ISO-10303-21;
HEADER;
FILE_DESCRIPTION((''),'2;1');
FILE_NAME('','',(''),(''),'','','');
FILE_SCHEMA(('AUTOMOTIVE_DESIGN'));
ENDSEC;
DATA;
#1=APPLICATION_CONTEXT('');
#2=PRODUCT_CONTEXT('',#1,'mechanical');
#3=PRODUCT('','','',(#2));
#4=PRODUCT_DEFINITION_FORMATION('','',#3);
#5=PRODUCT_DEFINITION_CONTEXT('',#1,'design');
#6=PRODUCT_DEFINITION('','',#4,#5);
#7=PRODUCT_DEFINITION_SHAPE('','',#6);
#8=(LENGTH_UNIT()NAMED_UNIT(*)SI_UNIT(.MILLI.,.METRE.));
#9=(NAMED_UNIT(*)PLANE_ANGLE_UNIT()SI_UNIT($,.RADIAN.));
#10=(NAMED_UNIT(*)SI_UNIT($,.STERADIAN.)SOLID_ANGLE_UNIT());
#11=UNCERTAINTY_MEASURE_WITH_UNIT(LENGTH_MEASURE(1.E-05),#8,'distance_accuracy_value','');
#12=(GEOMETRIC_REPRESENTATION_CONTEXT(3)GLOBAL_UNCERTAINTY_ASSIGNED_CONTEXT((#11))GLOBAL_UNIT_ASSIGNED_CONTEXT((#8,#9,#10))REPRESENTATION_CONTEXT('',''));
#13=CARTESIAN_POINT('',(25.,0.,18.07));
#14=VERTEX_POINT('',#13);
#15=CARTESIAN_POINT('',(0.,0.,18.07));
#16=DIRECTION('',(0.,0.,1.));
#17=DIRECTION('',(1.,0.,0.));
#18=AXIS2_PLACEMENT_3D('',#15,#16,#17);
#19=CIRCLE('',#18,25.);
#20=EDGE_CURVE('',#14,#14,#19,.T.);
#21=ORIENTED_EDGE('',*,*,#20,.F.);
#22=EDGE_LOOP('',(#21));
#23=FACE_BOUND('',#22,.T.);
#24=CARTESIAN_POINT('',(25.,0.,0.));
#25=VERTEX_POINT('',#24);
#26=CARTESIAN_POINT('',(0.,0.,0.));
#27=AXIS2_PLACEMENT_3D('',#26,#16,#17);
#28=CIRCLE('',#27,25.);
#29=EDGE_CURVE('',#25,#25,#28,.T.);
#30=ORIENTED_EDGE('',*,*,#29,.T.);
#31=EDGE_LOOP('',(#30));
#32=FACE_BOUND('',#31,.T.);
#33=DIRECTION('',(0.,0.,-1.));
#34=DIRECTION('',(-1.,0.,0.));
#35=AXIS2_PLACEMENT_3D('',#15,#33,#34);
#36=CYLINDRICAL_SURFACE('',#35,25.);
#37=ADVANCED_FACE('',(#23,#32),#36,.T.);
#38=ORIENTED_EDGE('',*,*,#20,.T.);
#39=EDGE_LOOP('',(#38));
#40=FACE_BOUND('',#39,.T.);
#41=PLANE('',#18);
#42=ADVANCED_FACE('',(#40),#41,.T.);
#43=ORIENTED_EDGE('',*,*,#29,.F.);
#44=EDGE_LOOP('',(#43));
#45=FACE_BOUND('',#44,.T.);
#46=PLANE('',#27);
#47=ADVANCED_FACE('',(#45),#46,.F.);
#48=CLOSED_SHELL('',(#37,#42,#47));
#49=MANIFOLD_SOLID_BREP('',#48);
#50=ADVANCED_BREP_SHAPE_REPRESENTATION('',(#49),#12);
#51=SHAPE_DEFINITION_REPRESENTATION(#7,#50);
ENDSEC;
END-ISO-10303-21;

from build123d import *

# Parameters (mm, degrees)
SKETCH_1_R                     = 25
MEASURED_KNOB_D50_H18P07_DEPTH = 18.07


with BuildPart() as part:
    # 草图1 → Measured_knob_D50_H18p07 (new body)
    with BuildSketch(Plane.XY):
        Circle(SKETCH_1_R)
    extrude(amount=MEASURED_KNOB_D50_H18P07_DEPTH)


solid = part.part
